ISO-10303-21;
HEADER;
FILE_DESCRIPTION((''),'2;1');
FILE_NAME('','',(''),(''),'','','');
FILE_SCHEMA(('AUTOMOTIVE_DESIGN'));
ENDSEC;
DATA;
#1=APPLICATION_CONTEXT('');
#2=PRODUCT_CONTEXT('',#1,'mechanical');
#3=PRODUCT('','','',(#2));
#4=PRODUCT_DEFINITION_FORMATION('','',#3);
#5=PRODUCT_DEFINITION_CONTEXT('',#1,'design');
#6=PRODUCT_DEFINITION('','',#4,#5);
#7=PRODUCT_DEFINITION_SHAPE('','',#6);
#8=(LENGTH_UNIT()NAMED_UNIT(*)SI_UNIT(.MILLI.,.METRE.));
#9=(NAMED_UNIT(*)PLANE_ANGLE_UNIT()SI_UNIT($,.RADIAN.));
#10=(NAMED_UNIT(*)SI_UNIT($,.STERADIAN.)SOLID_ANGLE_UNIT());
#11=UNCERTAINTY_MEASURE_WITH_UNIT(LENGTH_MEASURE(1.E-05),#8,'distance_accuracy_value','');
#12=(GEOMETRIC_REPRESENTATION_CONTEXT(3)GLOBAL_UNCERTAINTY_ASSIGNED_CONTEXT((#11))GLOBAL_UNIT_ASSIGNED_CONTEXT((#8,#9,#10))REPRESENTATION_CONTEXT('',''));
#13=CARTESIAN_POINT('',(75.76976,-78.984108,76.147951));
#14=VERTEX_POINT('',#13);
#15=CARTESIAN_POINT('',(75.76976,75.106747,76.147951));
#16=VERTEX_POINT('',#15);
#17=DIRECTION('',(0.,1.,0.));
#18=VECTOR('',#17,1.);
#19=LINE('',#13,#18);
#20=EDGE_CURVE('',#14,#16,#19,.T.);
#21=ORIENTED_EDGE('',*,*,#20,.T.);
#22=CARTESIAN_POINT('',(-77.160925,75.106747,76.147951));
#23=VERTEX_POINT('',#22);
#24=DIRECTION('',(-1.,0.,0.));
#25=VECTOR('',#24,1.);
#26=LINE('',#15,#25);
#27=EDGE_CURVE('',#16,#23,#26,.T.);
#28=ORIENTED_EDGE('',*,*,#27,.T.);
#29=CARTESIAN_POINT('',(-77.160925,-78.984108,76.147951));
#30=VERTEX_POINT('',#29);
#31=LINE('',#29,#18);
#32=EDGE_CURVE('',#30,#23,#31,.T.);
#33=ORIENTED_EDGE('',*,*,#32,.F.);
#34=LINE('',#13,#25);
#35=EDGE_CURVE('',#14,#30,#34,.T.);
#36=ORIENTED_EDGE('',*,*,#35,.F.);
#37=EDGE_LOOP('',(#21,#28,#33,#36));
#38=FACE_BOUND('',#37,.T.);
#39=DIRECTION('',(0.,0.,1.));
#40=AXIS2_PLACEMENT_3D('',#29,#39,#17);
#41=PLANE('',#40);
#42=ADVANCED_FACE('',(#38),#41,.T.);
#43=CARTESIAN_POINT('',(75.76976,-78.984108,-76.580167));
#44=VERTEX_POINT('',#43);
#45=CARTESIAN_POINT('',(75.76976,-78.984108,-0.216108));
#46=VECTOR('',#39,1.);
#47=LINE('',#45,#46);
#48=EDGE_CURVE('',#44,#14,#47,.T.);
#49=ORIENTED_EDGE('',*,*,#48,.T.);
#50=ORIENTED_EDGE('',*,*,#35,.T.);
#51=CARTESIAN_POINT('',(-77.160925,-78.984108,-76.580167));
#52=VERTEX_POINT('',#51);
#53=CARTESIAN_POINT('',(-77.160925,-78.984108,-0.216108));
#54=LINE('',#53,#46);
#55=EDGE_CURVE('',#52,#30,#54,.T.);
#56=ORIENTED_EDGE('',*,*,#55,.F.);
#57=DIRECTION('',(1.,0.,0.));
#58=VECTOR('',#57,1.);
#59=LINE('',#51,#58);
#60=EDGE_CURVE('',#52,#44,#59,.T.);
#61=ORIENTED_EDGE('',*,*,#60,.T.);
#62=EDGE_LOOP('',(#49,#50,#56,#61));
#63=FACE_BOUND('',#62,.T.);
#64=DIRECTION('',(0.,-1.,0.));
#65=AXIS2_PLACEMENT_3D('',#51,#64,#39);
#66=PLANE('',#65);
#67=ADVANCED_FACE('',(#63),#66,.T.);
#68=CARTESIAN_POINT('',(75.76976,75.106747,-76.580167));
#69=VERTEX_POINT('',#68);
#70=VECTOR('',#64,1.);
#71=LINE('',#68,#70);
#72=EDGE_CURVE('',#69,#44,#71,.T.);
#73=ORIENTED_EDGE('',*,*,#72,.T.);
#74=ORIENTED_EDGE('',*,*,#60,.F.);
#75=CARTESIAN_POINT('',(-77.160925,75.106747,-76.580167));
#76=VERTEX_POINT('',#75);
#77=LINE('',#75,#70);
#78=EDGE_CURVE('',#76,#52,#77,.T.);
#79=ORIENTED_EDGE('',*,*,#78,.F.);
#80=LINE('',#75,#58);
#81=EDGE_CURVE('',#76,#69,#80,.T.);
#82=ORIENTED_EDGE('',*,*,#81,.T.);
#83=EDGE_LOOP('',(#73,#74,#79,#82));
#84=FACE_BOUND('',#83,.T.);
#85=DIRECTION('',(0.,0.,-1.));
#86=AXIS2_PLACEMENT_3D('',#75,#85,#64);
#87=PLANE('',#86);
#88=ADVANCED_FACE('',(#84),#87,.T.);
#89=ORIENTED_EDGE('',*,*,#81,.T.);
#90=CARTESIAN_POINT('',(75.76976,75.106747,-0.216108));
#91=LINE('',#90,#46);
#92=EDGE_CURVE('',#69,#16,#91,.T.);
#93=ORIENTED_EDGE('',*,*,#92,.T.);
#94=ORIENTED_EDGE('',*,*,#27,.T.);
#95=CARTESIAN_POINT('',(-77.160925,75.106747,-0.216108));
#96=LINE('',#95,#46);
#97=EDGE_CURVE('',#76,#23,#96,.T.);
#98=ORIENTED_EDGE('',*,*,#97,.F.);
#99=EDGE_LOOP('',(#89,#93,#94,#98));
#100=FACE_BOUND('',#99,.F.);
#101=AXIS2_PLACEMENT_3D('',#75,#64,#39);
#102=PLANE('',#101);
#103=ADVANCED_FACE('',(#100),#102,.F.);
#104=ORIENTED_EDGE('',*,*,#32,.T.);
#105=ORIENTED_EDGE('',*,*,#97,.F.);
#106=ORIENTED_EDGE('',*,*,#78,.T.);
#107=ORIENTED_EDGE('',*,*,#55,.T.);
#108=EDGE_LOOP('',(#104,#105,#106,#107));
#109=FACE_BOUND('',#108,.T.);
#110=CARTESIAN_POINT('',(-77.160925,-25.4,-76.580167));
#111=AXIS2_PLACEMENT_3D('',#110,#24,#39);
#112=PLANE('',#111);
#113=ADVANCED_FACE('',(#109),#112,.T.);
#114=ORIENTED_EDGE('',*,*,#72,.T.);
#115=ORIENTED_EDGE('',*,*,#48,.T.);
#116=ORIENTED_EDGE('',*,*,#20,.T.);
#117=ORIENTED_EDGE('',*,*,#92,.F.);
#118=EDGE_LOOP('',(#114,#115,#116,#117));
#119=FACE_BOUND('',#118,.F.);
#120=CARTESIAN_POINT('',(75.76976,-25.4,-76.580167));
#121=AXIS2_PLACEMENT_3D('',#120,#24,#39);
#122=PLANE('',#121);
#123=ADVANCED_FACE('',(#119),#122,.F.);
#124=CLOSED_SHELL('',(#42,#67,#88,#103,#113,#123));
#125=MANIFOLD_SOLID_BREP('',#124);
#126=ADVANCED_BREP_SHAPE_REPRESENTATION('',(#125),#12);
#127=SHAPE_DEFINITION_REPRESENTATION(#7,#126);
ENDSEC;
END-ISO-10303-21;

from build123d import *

# Parameters (mm, degrees)
F0_W     = 152.9306843877
F0_H     = 152.7281180024
F1_DEPTH = 25.4
F2_DEPTH = 75.1067474484
F3_DEPTH = 53.5841081291
F4_DEPTH = 25.399999693


with BuildPart() as f1:
    # F0 (on Front) → F1 (new body)
    with BuildSketch(Plane.XZ):
        with Locations((-0.6955824792, -0.2161078155)):
            Rectangle(F0_W, F0_H)
    extrude(amount=F1_DEPTH)

    # F2 (add): faces of the model
    f2_faces = [f1.faces().sort_by_distance(p)[0] for p in [
        (-0.6955824792, 0, -0.2161078155),
        (-0.6955824792, -25.4, -0.2161078155),
    ]]
    extrude(f2_faces, amount=F2_DEPTH, dir=(0, 1, 0))

    # F3 (add): a face of the model
    f3_faces = [f1.faces().sort_by_distance(p)[0] for p in [
        (-0.6955824792, -25.4, -0.2161078155),
    ]]
    extrude(f3_faces, amount=F3_DEPTH)

    # F4 (add): a face of the model
    f4_faces = [f1.faces().sort_by_distance(p)[0] for p in [
        (-77.1609246731, -1.9386803403, -0.2161078155),
    ]]
    extrude(f4_faces, amount=-F4_DEPTH)


solid = f1.part
